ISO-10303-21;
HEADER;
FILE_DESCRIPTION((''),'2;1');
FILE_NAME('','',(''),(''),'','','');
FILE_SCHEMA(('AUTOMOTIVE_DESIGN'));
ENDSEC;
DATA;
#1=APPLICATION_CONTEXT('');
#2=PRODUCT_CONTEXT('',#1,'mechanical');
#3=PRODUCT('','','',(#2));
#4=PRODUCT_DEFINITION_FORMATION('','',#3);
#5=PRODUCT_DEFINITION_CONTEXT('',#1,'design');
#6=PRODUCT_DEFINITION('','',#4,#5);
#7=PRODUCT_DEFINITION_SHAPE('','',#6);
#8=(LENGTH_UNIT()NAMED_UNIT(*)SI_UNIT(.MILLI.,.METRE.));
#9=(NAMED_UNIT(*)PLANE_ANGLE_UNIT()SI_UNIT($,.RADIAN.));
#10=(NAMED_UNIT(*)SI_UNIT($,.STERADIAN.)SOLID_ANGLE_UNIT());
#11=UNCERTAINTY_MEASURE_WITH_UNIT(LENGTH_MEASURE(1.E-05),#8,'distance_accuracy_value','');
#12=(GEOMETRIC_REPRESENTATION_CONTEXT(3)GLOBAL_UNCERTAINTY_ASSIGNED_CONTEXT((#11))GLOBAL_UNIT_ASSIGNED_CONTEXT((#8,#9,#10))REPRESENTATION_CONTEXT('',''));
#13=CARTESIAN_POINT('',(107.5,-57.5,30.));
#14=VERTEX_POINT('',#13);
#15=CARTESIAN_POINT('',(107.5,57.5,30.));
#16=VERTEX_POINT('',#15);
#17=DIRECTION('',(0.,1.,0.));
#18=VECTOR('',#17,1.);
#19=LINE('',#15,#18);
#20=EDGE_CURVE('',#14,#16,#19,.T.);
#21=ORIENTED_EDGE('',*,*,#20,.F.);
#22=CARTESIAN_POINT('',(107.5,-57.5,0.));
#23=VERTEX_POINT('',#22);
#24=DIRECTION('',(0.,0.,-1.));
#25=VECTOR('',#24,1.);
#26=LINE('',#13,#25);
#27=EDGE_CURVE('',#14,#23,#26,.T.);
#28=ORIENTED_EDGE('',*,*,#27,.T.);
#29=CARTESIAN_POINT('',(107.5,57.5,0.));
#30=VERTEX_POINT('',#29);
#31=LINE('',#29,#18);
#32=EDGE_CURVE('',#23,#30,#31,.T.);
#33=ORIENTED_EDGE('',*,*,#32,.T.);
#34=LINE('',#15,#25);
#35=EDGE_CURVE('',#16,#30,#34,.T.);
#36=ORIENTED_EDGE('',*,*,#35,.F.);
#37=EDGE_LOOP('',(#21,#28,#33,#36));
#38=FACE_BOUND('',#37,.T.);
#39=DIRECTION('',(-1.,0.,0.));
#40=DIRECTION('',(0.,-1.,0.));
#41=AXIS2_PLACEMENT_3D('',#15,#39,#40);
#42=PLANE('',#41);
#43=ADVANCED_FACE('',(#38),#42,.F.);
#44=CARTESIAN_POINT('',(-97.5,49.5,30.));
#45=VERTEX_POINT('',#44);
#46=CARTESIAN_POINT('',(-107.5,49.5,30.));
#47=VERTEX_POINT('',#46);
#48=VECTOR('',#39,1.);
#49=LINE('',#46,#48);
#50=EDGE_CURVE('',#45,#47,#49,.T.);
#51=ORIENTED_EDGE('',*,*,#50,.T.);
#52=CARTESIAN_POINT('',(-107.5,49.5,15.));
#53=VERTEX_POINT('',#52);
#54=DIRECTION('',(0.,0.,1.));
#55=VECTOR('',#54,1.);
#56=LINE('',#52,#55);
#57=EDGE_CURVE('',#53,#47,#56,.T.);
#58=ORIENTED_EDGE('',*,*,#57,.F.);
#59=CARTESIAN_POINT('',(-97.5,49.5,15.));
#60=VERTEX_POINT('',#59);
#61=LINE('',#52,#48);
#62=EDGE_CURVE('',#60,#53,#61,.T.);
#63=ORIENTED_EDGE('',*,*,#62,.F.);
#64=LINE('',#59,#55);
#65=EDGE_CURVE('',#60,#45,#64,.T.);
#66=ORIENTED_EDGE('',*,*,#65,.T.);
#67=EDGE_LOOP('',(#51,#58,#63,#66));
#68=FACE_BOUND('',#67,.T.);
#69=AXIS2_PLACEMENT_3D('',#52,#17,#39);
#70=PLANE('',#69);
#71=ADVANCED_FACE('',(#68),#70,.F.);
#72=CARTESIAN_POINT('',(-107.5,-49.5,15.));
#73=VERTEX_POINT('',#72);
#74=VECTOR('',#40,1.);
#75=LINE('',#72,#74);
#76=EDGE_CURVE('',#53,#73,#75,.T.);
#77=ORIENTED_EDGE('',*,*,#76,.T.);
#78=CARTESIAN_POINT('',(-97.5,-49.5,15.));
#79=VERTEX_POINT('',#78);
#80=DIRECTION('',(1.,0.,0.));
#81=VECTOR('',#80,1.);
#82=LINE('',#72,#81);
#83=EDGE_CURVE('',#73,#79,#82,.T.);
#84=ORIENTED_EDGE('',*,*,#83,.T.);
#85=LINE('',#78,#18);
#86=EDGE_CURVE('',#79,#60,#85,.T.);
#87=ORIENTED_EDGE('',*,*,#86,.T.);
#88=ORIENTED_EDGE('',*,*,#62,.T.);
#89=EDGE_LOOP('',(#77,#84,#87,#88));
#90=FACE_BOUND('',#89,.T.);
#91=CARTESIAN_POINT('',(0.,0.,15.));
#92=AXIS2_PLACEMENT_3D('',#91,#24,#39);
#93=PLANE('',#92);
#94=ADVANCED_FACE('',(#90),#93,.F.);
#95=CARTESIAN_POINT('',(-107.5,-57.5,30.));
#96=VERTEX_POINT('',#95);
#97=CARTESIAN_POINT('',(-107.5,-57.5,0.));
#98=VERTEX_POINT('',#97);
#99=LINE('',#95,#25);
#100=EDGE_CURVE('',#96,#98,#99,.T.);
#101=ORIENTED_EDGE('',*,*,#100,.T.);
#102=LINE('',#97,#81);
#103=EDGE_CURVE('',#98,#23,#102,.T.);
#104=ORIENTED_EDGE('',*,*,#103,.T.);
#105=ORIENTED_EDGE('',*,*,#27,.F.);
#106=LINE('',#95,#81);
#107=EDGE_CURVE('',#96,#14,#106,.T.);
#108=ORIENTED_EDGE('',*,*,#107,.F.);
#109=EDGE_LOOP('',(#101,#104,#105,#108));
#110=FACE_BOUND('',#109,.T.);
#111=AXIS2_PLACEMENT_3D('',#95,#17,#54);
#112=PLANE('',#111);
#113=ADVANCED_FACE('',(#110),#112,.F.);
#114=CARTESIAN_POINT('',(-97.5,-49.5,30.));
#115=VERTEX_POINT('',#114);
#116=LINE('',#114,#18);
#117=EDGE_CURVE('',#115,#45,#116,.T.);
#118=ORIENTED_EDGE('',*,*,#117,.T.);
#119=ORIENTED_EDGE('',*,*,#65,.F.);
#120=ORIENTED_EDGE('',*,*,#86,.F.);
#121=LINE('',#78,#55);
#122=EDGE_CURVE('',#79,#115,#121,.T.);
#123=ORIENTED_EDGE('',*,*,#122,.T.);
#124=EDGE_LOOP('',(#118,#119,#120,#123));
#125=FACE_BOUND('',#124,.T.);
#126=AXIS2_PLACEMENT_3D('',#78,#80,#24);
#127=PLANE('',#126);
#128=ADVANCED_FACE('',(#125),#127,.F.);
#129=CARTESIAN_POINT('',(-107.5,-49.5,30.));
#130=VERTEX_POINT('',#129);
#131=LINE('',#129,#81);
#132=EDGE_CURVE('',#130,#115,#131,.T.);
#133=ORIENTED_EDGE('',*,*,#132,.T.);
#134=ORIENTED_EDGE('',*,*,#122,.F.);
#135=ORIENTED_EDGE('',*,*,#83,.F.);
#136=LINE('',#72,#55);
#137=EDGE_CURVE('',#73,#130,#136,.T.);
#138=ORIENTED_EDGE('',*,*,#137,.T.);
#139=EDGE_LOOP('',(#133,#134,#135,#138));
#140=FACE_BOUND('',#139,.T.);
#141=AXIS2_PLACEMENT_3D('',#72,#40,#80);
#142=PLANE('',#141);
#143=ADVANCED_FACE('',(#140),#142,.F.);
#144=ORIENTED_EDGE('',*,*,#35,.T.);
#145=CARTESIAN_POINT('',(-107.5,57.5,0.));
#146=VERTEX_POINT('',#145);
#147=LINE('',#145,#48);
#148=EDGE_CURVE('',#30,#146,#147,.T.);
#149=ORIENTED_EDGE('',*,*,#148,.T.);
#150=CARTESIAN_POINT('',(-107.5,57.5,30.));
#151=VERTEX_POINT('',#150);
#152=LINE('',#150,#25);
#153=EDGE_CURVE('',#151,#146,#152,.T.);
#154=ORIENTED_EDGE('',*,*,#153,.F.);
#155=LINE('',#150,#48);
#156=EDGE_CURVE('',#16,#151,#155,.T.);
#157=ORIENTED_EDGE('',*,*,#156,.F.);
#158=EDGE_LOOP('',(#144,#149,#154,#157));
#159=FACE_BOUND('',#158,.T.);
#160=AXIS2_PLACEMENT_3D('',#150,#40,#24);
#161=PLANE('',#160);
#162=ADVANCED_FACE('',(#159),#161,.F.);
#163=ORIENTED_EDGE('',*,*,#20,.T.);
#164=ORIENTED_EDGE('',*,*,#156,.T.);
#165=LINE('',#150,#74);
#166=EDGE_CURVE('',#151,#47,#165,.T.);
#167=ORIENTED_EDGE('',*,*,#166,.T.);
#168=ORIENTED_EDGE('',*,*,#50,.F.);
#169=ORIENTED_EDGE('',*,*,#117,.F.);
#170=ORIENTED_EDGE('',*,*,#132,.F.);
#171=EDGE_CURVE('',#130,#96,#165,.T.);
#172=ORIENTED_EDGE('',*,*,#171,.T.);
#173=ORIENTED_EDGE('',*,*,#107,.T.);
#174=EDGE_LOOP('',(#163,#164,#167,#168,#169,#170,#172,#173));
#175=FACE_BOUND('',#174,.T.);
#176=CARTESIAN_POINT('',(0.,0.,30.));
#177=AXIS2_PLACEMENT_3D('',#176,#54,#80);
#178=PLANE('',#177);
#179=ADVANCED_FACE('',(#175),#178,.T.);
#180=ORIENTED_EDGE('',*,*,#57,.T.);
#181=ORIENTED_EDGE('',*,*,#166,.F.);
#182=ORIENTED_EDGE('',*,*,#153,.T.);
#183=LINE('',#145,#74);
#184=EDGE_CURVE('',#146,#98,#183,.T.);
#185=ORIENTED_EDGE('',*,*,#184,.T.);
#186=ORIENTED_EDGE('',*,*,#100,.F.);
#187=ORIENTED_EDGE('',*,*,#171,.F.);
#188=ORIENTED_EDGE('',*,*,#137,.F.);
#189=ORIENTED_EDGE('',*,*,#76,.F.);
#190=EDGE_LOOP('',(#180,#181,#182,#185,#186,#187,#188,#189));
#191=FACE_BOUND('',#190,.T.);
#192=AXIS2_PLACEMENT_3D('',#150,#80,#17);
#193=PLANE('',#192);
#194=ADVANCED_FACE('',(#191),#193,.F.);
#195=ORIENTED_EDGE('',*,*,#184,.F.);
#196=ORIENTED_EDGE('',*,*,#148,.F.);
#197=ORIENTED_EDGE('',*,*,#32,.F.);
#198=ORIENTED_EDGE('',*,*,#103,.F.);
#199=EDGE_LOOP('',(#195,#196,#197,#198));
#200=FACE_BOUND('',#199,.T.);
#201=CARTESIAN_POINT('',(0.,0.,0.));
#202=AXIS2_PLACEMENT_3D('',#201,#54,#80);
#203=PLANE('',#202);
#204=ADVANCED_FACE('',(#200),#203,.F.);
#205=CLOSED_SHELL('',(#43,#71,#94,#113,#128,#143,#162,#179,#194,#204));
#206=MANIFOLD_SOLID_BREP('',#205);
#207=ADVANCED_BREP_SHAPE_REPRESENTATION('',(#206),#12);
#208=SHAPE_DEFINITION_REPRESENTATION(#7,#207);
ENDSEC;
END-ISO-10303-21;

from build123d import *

# Parameters (mm, degrees)
SKETCH_1_W          = 215
SKETCH_1_H          = 115
EXTRUDE_1_DEPTH     = 30
SKETCH_2_W          = 10
SKETCH_2_H          = 99
CUT_EXTRUDE_1_DEPTH = 15


with BuildPart() as part:
    # 草圖1 → 填料-伸長1 (new body)
    with BuildSketch(Plane.XY):
        Rectangle(SKETCH_1_W, SKETCH_1_H)
    extrude(amount=EXTRUDE_1_DEPTH)

    # 草圖2 → 除料-伸長1 (cut)
    with BuildSketch(Plane.XY.offset(30)):
        with Locations((-102.5, 0)):
            Rectangle(SKETCH_2_W, SKETCH_2_H)
    extrude(amount=-CUT_EXTRUDE_1_DEPTH, mode=Mode.SUBTRACT)


solid = part.part
